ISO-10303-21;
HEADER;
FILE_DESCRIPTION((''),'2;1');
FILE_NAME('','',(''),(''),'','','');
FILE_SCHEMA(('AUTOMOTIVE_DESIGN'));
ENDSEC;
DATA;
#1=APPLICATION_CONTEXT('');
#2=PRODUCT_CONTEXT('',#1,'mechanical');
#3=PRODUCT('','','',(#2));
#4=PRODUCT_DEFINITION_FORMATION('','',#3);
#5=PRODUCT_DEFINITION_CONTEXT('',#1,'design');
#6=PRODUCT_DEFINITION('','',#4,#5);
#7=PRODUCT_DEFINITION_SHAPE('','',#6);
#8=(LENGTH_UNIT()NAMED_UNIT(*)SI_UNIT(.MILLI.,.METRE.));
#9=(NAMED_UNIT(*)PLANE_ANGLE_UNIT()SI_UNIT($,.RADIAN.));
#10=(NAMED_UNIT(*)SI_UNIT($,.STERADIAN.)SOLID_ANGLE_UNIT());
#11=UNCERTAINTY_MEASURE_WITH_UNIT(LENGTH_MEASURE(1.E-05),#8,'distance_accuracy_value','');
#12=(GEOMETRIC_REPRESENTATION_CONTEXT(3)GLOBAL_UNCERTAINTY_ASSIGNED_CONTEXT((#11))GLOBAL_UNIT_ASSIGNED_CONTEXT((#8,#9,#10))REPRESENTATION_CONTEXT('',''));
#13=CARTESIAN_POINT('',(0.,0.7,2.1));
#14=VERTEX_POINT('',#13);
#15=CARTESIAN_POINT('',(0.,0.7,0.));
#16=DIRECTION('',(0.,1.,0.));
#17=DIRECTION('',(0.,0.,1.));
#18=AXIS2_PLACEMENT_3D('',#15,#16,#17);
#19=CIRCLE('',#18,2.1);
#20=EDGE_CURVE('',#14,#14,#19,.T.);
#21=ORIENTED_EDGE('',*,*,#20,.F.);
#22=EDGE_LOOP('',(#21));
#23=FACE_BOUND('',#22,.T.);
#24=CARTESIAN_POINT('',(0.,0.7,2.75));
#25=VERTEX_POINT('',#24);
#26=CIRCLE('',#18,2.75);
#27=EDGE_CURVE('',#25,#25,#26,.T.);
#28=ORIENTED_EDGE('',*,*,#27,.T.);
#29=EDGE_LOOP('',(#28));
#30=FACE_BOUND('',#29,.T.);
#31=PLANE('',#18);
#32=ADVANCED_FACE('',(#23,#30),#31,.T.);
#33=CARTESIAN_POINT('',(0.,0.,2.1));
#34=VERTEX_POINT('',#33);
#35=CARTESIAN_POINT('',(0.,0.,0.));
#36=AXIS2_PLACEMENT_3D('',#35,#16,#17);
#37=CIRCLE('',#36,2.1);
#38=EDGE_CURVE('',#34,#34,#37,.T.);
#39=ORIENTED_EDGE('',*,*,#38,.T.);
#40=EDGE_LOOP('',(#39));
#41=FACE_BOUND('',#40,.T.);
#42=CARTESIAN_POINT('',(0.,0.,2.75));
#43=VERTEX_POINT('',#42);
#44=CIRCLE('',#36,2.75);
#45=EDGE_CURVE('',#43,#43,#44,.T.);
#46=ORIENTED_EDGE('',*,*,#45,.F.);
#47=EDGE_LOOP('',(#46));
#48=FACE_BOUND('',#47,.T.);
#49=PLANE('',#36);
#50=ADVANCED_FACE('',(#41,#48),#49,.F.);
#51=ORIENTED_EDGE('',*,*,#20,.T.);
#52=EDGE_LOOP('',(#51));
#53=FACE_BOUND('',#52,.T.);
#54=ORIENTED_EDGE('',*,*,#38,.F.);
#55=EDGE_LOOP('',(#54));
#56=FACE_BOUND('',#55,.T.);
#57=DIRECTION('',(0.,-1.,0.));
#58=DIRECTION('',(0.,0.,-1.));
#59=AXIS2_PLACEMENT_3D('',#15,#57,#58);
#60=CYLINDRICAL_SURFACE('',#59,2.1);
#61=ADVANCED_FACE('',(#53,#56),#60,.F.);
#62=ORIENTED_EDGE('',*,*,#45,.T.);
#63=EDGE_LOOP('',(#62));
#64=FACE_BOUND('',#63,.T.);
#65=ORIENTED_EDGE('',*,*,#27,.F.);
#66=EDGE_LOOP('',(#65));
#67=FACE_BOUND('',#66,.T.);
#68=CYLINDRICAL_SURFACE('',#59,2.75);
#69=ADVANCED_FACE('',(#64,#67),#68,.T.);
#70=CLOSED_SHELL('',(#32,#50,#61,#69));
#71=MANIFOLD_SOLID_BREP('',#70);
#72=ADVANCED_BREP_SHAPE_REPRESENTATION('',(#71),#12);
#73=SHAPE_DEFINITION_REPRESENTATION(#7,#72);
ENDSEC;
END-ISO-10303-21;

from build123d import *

# Parameters (mm, degrees)
SKETCH_1_R      = 2.75
SKETCH_1_R_2    = 2.1
EXTRUDE_1_DEPTH = 0.7


with BuildPart() as part:
    # Эскиз1 → Бобышка-Вытянуть1 (new body)
    with BuildSketch(Plane(origin=(0, 0, 0), x_dir=(1, 0, 0), z_dir=(0, 1, 0))):
        with Locations(Location((0, 0, 0), (0, 0, 270))):
            Circle(SKETCH_1_R)
        with Locations(Location((0, 0, 0), (0, 0, 270))):
            Circle(SKETCH_1_R_2, mode=Mode.SUBTRACT)
    extrude(amount=EXTRUDE_1_DEPTH)


solid = part.part
